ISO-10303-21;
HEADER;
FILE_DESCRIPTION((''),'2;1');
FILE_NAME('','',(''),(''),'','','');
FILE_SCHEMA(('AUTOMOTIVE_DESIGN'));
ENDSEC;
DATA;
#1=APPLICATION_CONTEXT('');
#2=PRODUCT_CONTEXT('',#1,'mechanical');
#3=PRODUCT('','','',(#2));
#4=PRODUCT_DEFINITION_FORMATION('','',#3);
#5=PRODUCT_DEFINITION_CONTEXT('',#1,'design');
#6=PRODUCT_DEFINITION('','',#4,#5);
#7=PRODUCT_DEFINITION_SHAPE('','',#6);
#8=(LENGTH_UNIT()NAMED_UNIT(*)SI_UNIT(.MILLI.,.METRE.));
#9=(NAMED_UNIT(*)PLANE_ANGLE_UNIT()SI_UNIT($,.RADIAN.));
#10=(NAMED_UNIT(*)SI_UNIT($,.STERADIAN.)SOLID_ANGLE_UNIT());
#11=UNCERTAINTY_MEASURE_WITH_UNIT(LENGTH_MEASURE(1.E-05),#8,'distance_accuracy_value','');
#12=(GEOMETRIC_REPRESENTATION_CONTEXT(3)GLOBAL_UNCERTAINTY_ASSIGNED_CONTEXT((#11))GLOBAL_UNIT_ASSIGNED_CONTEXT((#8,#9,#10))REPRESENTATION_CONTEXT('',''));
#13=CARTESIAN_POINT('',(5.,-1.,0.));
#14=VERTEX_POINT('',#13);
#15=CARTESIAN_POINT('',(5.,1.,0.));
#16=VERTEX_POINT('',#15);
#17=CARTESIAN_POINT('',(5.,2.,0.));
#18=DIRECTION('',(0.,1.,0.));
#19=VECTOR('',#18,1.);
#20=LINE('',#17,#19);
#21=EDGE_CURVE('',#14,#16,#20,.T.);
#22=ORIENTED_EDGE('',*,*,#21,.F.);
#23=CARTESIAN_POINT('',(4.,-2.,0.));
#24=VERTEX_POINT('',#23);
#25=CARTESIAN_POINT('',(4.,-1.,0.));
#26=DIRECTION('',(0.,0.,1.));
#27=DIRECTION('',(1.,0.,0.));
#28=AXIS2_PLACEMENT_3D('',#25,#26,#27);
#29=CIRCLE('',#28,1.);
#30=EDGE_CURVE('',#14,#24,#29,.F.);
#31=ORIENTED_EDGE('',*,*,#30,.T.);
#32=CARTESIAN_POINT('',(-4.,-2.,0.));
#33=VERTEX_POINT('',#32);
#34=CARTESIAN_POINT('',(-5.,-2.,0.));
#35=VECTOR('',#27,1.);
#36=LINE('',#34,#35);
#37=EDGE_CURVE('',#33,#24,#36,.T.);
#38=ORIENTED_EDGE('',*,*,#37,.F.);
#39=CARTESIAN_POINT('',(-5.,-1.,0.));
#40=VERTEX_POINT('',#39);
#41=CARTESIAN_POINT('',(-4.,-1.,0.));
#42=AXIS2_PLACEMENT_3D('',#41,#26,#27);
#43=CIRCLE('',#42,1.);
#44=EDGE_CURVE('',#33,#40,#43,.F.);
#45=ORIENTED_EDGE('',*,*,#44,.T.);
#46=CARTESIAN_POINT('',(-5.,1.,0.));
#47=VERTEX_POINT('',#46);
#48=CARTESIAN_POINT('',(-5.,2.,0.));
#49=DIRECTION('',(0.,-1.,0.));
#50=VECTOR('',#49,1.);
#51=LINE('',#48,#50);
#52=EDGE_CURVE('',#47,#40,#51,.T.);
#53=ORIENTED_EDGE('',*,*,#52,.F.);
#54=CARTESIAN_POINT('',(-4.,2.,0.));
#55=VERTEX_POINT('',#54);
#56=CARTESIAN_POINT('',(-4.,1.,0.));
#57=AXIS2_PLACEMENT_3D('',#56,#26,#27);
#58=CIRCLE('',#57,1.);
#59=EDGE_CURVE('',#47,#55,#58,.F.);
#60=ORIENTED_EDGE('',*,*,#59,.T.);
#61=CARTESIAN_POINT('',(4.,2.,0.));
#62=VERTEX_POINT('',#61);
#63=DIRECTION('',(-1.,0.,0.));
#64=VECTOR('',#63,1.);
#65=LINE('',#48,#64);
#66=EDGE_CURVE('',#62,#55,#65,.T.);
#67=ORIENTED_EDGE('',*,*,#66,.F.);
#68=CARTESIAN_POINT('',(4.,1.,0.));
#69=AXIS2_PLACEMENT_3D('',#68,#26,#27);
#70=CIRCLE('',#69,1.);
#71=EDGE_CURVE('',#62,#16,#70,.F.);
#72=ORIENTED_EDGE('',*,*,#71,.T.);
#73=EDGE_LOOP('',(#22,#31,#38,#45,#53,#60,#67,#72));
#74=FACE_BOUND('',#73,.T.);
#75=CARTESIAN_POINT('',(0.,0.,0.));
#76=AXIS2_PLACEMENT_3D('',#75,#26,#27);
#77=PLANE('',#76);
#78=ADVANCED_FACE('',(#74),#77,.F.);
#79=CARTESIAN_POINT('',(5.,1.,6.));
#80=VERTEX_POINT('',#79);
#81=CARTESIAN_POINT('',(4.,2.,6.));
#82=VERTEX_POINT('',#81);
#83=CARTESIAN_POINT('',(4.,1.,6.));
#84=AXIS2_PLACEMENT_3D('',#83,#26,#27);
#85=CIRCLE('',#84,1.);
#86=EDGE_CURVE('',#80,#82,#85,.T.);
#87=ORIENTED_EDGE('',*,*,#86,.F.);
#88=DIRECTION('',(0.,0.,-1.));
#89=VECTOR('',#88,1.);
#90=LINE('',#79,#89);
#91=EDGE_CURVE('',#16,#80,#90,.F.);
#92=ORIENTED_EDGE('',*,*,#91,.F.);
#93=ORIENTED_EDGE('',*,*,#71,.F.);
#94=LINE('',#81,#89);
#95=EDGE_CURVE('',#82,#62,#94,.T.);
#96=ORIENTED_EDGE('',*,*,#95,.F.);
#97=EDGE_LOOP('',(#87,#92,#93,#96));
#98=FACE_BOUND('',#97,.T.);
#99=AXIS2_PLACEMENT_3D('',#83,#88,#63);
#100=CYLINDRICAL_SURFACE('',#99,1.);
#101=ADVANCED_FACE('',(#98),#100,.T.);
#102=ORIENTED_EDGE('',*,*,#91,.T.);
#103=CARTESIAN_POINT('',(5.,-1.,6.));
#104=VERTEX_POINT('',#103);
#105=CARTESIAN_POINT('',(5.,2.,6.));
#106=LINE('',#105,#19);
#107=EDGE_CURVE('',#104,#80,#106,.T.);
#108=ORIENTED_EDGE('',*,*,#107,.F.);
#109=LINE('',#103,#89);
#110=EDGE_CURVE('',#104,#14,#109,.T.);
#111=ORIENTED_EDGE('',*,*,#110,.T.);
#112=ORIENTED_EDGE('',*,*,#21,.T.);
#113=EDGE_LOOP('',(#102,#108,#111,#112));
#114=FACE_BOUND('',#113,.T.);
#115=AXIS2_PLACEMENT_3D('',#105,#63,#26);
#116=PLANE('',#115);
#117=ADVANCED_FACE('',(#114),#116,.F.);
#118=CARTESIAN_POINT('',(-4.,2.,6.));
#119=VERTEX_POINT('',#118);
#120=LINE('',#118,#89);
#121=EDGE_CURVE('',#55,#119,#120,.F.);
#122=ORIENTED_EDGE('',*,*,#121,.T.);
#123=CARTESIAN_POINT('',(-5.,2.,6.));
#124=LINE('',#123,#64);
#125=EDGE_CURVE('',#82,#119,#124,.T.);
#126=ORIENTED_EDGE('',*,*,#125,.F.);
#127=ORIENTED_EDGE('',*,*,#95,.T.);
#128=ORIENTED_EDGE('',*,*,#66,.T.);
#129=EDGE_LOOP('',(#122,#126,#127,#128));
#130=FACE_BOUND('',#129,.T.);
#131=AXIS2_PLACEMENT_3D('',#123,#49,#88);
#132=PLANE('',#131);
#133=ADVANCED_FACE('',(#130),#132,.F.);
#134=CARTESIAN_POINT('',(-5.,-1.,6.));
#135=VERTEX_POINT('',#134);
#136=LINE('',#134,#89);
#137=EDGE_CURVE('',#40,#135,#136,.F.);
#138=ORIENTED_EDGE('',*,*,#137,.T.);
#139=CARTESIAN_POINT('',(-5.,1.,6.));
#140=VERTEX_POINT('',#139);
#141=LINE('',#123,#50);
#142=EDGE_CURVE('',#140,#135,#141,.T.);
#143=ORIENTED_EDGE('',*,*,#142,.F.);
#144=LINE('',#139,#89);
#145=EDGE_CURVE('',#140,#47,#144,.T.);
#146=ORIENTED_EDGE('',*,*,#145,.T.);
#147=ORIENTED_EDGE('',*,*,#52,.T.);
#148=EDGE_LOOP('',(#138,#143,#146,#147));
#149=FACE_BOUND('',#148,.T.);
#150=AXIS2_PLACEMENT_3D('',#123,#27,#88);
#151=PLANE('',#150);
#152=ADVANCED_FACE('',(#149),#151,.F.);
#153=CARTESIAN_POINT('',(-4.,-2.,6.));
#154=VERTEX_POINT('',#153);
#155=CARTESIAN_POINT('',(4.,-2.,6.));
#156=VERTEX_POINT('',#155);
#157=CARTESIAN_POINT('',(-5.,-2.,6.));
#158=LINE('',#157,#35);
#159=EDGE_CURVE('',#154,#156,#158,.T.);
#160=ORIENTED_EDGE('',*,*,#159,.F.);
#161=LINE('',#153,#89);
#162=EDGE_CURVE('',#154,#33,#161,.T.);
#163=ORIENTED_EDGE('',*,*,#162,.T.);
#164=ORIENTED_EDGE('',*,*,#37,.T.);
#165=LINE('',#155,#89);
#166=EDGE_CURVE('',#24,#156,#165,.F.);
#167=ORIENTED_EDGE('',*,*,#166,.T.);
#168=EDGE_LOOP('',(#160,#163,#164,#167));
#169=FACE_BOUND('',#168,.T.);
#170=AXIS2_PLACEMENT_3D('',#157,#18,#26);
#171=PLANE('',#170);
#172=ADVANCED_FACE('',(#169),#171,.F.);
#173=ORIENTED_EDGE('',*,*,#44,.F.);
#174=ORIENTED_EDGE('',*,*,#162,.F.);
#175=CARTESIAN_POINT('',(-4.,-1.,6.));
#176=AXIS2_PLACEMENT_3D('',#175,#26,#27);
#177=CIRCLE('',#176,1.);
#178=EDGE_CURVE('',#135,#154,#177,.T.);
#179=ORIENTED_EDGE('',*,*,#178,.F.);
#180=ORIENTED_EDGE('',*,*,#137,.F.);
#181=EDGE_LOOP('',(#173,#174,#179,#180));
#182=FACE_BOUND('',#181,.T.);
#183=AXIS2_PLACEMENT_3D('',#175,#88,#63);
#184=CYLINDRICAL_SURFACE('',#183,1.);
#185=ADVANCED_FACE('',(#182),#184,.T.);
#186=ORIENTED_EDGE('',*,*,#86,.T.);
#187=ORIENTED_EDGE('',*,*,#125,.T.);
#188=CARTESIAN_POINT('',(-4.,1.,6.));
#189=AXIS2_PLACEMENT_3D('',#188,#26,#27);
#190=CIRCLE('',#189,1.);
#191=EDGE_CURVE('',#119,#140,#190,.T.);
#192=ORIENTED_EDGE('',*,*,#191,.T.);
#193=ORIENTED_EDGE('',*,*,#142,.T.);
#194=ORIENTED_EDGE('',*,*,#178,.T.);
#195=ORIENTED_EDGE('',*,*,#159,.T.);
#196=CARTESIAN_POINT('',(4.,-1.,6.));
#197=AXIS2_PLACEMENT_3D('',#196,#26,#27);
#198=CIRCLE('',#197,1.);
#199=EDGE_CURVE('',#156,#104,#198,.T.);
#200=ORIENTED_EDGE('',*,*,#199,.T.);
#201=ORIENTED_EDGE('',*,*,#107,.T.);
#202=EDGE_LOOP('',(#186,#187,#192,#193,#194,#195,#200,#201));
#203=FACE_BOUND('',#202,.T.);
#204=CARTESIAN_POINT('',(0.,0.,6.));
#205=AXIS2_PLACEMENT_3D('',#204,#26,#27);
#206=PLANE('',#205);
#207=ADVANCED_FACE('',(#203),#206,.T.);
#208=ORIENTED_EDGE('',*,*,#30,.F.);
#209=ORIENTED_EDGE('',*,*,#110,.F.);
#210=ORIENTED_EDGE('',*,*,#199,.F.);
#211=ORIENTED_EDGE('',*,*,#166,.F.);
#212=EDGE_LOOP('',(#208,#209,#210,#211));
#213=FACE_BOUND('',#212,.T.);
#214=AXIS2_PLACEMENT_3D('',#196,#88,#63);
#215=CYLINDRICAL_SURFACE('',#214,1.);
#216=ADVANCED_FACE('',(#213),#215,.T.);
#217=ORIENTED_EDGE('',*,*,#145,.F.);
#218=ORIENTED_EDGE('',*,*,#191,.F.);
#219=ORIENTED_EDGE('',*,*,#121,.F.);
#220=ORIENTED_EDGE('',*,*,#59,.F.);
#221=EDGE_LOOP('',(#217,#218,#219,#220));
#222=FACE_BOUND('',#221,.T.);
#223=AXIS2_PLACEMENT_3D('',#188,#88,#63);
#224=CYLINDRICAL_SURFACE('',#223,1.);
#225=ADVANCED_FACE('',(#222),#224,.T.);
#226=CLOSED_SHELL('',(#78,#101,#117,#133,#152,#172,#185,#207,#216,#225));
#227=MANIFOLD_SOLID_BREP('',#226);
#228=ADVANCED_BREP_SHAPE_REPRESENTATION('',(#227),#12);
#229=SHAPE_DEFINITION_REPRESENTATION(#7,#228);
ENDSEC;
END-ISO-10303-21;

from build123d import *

# Parameters (mm, degrees)
SKETCH1_W           = 10
SKETCH1_H           = 4
BOSS_EXTRUDE1_DEPTH = 6
FILLET1_R           = 1


with BuildPart() as part:
    # Sketch1 → Boss-Extrude1 (new body)
    with BuildSketch(Plane.XY):
        Rectangle(SKETCH1_W, SKETCH1_H)
    extrude(amount=BOSS_EXTRUDE1_DEPTH)

    # Fillet1
    fillet1_edges = [part.edges().sort_by_distance(p)[0] for p in [
        (-5, 2, 3),
        (5, 2, 3),
        (5, -2, 3),
        (-5, -2, 3),
    ]]
    fillet(fillet1_edges, radius=FILLET1_R)


solid = part.part
